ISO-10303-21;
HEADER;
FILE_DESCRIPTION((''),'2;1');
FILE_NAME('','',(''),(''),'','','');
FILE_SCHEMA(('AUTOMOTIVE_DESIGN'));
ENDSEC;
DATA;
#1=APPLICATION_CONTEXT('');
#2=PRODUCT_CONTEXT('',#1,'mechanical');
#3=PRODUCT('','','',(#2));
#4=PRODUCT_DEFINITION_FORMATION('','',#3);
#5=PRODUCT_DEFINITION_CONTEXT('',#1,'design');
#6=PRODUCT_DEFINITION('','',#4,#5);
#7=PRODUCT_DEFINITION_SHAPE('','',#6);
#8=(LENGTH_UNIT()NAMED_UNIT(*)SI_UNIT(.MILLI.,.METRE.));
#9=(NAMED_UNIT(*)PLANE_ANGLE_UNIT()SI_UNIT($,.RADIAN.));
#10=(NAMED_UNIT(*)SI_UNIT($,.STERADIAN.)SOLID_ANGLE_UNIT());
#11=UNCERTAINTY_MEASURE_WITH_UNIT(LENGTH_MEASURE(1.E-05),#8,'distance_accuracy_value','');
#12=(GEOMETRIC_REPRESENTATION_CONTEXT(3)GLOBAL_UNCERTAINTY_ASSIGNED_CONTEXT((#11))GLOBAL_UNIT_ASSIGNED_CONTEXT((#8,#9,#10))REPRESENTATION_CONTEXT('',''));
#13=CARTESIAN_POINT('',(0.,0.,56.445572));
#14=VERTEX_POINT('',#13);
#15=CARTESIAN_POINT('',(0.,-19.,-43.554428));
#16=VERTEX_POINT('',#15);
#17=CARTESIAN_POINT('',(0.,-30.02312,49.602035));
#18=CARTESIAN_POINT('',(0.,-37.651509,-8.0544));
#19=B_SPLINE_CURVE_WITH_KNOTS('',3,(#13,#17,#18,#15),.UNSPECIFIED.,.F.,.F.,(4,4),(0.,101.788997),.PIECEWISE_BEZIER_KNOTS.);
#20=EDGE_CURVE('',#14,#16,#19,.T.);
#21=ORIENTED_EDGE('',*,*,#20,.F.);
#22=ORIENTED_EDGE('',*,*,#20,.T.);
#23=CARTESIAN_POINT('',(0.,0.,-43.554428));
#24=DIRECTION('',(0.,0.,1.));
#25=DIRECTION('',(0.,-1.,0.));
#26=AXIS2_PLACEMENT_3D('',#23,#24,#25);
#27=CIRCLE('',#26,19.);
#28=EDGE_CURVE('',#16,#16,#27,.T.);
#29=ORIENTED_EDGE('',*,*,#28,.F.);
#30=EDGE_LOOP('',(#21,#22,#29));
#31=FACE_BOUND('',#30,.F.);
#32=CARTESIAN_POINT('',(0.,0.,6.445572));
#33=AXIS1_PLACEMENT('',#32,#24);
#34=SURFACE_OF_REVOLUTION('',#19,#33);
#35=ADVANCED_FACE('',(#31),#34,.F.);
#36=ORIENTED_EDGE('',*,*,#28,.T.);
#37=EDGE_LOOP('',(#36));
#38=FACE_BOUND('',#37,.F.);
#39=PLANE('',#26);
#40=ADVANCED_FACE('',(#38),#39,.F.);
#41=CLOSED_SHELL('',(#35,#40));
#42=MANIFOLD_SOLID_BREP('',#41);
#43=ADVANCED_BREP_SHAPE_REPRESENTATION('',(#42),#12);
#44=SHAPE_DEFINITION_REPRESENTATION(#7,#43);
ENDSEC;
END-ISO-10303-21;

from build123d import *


with BuildPart() as f1:
    # F0 (on Right) → F1 (revolve)
    with BuildSketch(Plane.YZ):
        with BuildLine():
            Line((-19, -43.554428), (0, -43.554428))
            Line((0, -43.554428), (0, 56.445572))
            add(Edge.make_bspline(
                [(0, 56.445572), (-30.02312, 49.602035), (-37.651509, -8.0544), (-19, -43.554428)],
                knots=[0, 0, 0, 0, 101.788997, 101.788997, 101.788997, 101.788997], degree=3))
        make_face()
    revolve(axis=Axis((0, 0, 6.445572), (0, 0, 1)))


solid = f1.part
